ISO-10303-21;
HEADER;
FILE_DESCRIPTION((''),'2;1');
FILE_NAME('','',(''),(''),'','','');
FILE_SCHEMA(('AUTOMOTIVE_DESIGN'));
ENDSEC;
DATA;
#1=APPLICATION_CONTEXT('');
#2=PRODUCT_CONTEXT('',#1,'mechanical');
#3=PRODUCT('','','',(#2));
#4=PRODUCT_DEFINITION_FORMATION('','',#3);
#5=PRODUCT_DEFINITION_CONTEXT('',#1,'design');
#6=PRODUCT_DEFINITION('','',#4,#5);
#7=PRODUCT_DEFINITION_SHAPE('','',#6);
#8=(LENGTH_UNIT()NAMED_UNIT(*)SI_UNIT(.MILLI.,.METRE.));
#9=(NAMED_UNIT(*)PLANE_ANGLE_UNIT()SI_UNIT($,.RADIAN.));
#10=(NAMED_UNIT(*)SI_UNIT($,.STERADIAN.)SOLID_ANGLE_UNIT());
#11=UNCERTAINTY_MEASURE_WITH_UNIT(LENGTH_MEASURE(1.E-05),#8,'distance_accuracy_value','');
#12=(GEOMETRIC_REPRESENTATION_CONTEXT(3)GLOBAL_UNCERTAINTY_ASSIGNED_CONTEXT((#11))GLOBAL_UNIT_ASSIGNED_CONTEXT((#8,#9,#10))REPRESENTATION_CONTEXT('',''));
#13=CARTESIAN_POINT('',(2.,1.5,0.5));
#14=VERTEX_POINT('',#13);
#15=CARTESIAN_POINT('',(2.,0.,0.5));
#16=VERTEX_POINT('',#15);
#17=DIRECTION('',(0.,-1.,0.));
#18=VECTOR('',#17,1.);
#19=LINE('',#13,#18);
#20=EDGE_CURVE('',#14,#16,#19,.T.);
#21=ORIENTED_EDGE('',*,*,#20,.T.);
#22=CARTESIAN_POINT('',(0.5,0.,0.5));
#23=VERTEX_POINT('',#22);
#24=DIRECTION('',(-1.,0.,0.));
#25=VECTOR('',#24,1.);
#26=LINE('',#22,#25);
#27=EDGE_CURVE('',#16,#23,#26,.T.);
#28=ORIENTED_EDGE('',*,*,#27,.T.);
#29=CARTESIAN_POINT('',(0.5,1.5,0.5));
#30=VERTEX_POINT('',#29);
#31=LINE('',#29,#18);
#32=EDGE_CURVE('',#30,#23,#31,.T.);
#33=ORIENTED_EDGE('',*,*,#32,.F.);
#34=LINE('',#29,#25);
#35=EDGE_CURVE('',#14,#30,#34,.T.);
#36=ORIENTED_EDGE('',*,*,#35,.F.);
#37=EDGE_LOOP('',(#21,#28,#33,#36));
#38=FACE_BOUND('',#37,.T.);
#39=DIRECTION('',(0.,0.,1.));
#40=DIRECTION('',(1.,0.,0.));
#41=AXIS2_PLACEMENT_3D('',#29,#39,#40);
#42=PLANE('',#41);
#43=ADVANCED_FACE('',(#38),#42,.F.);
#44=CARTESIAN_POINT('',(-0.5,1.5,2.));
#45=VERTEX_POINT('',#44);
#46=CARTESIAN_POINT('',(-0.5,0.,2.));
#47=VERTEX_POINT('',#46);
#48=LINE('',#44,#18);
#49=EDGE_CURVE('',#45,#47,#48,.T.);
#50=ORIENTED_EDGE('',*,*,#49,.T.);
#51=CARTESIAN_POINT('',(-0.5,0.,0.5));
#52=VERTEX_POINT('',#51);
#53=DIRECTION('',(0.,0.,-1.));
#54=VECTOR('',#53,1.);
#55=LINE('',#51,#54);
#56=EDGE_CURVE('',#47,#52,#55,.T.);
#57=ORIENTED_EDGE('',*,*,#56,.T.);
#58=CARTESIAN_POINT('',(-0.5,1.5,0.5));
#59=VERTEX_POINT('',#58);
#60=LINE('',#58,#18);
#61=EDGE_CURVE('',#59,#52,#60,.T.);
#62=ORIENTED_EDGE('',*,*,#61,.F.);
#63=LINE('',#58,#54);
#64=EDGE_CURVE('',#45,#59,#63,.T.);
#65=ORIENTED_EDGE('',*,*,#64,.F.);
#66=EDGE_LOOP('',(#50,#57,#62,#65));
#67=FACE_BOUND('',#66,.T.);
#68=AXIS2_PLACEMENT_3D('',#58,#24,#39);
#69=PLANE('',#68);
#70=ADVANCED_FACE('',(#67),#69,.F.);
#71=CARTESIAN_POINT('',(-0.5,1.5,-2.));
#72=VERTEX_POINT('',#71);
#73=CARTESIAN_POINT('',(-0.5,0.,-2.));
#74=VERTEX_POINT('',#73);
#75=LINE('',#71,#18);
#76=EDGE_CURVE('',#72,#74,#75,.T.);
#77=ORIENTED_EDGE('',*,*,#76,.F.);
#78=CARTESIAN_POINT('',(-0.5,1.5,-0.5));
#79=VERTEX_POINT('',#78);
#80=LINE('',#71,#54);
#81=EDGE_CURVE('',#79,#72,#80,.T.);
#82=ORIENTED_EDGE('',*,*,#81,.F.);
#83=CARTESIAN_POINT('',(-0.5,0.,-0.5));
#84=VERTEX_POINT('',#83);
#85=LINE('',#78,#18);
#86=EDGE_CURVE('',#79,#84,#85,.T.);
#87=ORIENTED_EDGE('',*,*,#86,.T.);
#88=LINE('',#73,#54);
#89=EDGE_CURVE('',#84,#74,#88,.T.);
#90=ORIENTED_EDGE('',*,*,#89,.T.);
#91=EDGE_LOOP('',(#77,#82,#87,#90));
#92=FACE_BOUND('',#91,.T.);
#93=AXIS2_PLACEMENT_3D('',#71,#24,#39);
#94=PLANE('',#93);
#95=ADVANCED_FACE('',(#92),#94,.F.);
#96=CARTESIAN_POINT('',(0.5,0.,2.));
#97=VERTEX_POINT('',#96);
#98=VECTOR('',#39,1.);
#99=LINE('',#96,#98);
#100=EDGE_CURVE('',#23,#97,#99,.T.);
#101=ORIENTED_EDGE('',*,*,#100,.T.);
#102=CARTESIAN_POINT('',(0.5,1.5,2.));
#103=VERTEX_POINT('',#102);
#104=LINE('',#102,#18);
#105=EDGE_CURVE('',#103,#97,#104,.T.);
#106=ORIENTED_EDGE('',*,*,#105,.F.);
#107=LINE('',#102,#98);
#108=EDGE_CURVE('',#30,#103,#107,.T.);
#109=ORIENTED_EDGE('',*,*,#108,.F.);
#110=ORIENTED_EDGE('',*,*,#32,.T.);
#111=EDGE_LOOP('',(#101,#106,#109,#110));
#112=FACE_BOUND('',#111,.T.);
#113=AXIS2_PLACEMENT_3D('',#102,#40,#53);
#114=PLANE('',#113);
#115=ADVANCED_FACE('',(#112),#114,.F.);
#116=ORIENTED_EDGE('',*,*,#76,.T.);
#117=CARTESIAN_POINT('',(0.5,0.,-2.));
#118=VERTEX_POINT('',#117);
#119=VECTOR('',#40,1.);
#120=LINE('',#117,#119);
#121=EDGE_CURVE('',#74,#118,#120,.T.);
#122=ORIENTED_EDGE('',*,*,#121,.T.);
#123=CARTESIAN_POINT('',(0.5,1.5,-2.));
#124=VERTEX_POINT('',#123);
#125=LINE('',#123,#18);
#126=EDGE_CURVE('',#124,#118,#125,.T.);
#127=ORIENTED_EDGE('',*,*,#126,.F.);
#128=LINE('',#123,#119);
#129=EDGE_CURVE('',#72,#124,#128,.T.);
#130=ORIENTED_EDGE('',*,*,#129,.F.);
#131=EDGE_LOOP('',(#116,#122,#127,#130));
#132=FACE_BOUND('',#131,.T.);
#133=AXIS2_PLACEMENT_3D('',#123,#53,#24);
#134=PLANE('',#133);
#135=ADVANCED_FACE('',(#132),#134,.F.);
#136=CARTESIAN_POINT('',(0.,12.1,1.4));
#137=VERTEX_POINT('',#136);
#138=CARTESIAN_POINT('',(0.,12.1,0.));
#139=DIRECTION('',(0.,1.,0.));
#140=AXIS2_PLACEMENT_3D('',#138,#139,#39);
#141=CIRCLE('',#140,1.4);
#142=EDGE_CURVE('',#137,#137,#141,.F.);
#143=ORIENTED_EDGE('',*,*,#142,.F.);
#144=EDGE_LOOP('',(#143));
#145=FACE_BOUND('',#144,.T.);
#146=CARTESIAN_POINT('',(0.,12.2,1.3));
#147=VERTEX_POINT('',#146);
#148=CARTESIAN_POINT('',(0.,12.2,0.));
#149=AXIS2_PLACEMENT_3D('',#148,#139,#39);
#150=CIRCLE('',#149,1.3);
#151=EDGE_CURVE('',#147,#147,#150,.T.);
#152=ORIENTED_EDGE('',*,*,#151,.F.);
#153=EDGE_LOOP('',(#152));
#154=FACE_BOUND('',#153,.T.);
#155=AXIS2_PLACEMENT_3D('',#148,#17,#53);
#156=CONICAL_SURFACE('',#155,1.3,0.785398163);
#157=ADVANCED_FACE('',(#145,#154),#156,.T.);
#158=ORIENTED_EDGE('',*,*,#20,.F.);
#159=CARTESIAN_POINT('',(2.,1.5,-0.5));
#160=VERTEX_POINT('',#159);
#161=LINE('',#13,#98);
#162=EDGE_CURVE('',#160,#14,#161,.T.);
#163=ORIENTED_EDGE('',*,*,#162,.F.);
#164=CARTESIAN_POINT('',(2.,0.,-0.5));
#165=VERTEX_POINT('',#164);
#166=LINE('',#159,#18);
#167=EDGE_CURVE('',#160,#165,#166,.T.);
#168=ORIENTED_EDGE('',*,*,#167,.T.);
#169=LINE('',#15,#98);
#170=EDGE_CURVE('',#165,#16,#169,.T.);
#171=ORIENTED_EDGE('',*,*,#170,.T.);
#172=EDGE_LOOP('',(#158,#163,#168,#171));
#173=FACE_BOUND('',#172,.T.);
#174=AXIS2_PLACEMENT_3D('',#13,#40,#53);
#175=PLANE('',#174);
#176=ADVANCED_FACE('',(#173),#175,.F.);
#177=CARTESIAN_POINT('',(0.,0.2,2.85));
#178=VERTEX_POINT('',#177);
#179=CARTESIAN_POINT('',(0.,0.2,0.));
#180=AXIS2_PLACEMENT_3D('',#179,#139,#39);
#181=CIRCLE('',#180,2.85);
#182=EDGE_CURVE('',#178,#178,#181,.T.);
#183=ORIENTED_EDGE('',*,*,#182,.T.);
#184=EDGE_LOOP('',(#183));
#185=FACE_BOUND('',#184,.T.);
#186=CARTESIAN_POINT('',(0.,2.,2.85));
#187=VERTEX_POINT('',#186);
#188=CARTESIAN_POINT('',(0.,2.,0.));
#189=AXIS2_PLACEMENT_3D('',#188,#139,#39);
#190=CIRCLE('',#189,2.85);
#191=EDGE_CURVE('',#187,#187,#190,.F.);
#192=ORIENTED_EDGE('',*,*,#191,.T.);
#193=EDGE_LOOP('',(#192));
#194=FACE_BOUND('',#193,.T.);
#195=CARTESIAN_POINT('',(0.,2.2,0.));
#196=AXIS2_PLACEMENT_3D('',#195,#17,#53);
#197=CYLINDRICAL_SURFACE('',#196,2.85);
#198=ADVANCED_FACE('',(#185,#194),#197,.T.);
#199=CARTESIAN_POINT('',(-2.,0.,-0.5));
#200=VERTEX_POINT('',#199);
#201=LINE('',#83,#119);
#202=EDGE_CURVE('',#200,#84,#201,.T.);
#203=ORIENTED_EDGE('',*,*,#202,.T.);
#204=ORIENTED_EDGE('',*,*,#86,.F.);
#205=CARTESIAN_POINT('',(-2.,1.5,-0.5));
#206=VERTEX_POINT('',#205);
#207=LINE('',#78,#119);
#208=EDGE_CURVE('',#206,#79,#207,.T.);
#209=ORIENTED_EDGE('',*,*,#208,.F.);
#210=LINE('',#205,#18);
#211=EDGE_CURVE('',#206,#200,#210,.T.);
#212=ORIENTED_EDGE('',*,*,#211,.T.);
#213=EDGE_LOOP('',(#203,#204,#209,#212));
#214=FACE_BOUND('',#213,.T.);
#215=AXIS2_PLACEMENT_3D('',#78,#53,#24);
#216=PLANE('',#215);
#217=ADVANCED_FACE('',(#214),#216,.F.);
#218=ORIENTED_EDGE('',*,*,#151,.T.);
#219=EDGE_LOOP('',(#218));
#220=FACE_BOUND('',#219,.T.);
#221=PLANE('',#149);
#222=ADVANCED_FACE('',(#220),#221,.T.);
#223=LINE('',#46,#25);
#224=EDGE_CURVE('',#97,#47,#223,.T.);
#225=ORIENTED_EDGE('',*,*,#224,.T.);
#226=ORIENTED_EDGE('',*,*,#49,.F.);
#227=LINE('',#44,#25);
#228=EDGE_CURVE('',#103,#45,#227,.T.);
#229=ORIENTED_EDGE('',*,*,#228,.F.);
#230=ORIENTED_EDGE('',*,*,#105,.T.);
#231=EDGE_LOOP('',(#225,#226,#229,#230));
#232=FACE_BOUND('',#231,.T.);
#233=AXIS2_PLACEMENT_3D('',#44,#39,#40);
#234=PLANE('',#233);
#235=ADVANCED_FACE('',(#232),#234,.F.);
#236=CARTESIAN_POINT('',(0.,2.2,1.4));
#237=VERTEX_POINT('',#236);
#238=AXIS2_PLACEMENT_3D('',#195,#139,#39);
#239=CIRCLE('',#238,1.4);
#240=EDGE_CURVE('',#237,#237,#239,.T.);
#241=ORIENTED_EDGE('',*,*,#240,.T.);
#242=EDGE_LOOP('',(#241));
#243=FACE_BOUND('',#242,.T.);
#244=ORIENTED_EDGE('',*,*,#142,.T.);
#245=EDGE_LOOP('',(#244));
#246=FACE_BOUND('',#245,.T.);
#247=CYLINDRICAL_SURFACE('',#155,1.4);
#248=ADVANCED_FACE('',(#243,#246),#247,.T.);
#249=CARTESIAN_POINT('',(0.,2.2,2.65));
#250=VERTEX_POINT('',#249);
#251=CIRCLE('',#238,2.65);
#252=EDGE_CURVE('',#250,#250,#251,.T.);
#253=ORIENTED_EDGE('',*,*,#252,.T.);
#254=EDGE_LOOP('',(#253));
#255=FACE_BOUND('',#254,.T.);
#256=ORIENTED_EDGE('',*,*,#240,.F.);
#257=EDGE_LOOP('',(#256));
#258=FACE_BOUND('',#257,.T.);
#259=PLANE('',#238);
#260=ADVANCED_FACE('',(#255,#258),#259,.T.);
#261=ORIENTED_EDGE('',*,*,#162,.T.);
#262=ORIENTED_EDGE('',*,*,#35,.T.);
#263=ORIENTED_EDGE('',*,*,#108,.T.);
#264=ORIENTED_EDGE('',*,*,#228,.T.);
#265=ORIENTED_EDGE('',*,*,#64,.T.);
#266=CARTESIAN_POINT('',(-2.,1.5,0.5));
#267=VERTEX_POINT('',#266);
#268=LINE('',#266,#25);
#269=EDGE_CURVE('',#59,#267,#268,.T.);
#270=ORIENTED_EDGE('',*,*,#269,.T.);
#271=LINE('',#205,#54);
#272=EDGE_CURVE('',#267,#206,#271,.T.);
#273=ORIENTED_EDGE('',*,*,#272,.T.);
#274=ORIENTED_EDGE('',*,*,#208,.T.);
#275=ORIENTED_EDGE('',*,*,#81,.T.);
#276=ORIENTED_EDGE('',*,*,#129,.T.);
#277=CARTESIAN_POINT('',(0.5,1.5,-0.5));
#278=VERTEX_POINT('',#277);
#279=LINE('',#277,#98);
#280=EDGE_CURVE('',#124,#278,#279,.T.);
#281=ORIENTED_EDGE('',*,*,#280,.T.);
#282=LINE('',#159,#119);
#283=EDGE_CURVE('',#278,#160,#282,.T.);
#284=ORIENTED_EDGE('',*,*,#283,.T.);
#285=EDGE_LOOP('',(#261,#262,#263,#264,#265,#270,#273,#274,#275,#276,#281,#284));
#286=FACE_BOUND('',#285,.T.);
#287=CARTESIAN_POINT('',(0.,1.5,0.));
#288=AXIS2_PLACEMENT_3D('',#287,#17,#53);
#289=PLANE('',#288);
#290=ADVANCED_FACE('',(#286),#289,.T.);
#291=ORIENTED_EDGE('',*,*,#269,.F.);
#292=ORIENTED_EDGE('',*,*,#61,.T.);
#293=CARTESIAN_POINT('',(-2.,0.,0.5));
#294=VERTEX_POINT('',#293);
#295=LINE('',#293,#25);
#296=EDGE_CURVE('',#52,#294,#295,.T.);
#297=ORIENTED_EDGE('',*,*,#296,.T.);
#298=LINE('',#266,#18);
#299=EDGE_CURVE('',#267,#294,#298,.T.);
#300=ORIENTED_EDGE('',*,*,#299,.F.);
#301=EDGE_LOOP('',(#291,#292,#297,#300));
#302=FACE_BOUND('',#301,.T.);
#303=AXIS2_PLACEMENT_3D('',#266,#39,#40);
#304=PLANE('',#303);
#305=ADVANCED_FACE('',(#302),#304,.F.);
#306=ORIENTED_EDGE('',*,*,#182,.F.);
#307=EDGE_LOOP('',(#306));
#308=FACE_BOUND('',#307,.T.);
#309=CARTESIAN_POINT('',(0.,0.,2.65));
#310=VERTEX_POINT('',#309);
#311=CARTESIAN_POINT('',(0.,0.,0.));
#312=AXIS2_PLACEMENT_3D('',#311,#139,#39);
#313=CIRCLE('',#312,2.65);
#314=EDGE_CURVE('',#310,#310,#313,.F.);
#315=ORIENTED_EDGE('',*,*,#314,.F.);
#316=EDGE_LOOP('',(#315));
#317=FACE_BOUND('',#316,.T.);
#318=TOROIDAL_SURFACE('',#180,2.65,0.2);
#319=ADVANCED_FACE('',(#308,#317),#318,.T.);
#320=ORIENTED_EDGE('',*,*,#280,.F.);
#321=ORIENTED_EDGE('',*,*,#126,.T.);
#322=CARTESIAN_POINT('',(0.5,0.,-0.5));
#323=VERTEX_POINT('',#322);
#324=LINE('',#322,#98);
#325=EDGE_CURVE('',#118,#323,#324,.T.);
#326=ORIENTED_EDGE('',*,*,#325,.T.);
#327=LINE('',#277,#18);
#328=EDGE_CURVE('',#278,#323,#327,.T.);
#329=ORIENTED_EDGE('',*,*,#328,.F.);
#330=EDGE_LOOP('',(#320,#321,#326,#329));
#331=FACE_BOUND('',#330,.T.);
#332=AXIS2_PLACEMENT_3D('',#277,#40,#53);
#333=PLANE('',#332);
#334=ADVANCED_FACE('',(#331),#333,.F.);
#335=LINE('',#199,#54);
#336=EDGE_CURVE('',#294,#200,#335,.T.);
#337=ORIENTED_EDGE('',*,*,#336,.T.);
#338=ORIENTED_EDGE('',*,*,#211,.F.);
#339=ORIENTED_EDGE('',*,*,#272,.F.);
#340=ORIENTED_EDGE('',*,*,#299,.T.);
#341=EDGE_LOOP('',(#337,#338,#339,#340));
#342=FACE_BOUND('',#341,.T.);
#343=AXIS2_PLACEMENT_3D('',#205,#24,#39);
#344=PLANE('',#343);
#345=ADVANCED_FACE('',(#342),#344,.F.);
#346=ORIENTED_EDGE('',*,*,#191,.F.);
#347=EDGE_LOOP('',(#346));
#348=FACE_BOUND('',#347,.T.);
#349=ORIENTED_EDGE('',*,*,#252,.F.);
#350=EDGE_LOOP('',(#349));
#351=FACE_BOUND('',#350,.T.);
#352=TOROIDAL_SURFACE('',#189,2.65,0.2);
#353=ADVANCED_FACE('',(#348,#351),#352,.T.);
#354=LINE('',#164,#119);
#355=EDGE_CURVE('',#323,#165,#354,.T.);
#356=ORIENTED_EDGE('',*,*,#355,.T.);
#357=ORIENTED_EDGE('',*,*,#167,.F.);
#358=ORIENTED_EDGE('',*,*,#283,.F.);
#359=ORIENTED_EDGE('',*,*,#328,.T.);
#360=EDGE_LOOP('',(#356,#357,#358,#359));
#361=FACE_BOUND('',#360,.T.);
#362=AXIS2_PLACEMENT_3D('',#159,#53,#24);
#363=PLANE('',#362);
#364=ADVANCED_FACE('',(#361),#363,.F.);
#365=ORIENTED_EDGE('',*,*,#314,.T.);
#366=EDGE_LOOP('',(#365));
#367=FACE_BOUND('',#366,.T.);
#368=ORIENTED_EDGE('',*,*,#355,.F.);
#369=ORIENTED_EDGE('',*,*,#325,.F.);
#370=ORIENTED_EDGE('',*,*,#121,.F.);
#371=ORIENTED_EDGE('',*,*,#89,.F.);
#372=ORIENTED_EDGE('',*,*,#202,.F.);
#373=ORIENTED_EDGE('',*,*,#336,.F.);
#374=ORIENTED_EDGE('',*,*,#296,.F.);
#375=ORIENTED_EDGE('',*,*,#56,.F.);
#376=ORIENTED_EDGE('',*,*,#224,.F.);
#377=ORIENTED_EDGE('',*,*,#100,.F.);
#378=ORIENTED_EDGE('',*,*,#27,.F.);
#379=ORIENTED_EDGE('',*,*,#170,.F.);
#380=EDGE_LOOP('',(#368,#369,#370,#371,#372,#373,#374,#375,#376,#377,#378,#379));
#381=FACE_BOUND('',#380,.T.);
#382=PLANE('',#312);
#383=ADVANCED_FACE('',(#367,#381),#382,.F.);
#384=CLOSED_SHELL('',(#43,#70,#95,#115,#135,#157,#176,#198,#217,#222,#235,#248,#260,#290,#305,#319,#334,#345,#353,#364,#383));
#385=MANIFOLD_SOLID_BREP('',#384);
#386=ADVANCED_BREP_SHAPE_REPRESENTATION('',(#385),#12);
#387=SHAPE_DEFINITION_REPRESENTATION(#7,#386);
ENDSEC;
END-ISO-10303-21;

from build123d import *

# Parameters (mm, degrees)
SKETCH_1_R          = 2.85
EXTRUDE_1_DEPTH     = 2.2
SKETCH_2_R          = 1.4
EXTRUDE_2_DEPTH     = 10
CHAMFER_1_SIZE      = 0.1
FILLET_1_R          = 0.2
CUT_EXTRUDE_1_DEPTH = 1.5


with BuildPart() as part:
    # Эскиз1 → Бобышка-Вытянуть1 (new body)
    with BuildSketch(Plane(origin=(0, 0, 0), x_dir=(1, 0, 0), z_dir=(0, 1, 0))):
        Circle(SKETCH_1_R)
    extrude(amount=EXTRUDE_1_DEPTH)

    # Эскиз2 → Бобышка-Вытянуть2 (add)
    with BuildSketch(Plane(origin=(0, 2.2, 0), x_dir=(1, 0, 0), z_dir=(0, 1, 0))):
        Circle(SKETCH_2_R)
    extrude(amount=EXTRUDE_2_DEPTH)

    # Фаска1
    chamfer_1_edges = [part.edges().sort_by_distance(p)[0] for p in [
        (-1.4, 12.2, 0),
    ]]
    chamfer(chamfer_1_edges, length=CHAMFER_1_SIZE)

    # Скругление1
    fillet_1_edges = [part.edges().sort_by_distance(p)[0] for p in [
        (-2.85, 0, 0),
        (-2.85, 2.2, 0),
    ]]
    fillet(fillet_1_edges, radius=FILLET_1_R)

    # Эскиз3 → Вырез-Вытянуть1 (cut)
    with BuildSketch(Plane.XZ):
        Polygon((-0.5, 0.5), (-0.5, 2), (0.5, 2), (0.5, 0.5), (2, 0.5), (2, -0.5), (0.5, -0.5), (0.5, -2), (-0.5, -2), (-0.5, -0.5), (-2, -0.5), (-2, 0.5), align=None)
    extrude(amount=-CUT_EXTRUDE_1_DEPTH, mode=Mode.SUBTRACT)


solid = part.part
